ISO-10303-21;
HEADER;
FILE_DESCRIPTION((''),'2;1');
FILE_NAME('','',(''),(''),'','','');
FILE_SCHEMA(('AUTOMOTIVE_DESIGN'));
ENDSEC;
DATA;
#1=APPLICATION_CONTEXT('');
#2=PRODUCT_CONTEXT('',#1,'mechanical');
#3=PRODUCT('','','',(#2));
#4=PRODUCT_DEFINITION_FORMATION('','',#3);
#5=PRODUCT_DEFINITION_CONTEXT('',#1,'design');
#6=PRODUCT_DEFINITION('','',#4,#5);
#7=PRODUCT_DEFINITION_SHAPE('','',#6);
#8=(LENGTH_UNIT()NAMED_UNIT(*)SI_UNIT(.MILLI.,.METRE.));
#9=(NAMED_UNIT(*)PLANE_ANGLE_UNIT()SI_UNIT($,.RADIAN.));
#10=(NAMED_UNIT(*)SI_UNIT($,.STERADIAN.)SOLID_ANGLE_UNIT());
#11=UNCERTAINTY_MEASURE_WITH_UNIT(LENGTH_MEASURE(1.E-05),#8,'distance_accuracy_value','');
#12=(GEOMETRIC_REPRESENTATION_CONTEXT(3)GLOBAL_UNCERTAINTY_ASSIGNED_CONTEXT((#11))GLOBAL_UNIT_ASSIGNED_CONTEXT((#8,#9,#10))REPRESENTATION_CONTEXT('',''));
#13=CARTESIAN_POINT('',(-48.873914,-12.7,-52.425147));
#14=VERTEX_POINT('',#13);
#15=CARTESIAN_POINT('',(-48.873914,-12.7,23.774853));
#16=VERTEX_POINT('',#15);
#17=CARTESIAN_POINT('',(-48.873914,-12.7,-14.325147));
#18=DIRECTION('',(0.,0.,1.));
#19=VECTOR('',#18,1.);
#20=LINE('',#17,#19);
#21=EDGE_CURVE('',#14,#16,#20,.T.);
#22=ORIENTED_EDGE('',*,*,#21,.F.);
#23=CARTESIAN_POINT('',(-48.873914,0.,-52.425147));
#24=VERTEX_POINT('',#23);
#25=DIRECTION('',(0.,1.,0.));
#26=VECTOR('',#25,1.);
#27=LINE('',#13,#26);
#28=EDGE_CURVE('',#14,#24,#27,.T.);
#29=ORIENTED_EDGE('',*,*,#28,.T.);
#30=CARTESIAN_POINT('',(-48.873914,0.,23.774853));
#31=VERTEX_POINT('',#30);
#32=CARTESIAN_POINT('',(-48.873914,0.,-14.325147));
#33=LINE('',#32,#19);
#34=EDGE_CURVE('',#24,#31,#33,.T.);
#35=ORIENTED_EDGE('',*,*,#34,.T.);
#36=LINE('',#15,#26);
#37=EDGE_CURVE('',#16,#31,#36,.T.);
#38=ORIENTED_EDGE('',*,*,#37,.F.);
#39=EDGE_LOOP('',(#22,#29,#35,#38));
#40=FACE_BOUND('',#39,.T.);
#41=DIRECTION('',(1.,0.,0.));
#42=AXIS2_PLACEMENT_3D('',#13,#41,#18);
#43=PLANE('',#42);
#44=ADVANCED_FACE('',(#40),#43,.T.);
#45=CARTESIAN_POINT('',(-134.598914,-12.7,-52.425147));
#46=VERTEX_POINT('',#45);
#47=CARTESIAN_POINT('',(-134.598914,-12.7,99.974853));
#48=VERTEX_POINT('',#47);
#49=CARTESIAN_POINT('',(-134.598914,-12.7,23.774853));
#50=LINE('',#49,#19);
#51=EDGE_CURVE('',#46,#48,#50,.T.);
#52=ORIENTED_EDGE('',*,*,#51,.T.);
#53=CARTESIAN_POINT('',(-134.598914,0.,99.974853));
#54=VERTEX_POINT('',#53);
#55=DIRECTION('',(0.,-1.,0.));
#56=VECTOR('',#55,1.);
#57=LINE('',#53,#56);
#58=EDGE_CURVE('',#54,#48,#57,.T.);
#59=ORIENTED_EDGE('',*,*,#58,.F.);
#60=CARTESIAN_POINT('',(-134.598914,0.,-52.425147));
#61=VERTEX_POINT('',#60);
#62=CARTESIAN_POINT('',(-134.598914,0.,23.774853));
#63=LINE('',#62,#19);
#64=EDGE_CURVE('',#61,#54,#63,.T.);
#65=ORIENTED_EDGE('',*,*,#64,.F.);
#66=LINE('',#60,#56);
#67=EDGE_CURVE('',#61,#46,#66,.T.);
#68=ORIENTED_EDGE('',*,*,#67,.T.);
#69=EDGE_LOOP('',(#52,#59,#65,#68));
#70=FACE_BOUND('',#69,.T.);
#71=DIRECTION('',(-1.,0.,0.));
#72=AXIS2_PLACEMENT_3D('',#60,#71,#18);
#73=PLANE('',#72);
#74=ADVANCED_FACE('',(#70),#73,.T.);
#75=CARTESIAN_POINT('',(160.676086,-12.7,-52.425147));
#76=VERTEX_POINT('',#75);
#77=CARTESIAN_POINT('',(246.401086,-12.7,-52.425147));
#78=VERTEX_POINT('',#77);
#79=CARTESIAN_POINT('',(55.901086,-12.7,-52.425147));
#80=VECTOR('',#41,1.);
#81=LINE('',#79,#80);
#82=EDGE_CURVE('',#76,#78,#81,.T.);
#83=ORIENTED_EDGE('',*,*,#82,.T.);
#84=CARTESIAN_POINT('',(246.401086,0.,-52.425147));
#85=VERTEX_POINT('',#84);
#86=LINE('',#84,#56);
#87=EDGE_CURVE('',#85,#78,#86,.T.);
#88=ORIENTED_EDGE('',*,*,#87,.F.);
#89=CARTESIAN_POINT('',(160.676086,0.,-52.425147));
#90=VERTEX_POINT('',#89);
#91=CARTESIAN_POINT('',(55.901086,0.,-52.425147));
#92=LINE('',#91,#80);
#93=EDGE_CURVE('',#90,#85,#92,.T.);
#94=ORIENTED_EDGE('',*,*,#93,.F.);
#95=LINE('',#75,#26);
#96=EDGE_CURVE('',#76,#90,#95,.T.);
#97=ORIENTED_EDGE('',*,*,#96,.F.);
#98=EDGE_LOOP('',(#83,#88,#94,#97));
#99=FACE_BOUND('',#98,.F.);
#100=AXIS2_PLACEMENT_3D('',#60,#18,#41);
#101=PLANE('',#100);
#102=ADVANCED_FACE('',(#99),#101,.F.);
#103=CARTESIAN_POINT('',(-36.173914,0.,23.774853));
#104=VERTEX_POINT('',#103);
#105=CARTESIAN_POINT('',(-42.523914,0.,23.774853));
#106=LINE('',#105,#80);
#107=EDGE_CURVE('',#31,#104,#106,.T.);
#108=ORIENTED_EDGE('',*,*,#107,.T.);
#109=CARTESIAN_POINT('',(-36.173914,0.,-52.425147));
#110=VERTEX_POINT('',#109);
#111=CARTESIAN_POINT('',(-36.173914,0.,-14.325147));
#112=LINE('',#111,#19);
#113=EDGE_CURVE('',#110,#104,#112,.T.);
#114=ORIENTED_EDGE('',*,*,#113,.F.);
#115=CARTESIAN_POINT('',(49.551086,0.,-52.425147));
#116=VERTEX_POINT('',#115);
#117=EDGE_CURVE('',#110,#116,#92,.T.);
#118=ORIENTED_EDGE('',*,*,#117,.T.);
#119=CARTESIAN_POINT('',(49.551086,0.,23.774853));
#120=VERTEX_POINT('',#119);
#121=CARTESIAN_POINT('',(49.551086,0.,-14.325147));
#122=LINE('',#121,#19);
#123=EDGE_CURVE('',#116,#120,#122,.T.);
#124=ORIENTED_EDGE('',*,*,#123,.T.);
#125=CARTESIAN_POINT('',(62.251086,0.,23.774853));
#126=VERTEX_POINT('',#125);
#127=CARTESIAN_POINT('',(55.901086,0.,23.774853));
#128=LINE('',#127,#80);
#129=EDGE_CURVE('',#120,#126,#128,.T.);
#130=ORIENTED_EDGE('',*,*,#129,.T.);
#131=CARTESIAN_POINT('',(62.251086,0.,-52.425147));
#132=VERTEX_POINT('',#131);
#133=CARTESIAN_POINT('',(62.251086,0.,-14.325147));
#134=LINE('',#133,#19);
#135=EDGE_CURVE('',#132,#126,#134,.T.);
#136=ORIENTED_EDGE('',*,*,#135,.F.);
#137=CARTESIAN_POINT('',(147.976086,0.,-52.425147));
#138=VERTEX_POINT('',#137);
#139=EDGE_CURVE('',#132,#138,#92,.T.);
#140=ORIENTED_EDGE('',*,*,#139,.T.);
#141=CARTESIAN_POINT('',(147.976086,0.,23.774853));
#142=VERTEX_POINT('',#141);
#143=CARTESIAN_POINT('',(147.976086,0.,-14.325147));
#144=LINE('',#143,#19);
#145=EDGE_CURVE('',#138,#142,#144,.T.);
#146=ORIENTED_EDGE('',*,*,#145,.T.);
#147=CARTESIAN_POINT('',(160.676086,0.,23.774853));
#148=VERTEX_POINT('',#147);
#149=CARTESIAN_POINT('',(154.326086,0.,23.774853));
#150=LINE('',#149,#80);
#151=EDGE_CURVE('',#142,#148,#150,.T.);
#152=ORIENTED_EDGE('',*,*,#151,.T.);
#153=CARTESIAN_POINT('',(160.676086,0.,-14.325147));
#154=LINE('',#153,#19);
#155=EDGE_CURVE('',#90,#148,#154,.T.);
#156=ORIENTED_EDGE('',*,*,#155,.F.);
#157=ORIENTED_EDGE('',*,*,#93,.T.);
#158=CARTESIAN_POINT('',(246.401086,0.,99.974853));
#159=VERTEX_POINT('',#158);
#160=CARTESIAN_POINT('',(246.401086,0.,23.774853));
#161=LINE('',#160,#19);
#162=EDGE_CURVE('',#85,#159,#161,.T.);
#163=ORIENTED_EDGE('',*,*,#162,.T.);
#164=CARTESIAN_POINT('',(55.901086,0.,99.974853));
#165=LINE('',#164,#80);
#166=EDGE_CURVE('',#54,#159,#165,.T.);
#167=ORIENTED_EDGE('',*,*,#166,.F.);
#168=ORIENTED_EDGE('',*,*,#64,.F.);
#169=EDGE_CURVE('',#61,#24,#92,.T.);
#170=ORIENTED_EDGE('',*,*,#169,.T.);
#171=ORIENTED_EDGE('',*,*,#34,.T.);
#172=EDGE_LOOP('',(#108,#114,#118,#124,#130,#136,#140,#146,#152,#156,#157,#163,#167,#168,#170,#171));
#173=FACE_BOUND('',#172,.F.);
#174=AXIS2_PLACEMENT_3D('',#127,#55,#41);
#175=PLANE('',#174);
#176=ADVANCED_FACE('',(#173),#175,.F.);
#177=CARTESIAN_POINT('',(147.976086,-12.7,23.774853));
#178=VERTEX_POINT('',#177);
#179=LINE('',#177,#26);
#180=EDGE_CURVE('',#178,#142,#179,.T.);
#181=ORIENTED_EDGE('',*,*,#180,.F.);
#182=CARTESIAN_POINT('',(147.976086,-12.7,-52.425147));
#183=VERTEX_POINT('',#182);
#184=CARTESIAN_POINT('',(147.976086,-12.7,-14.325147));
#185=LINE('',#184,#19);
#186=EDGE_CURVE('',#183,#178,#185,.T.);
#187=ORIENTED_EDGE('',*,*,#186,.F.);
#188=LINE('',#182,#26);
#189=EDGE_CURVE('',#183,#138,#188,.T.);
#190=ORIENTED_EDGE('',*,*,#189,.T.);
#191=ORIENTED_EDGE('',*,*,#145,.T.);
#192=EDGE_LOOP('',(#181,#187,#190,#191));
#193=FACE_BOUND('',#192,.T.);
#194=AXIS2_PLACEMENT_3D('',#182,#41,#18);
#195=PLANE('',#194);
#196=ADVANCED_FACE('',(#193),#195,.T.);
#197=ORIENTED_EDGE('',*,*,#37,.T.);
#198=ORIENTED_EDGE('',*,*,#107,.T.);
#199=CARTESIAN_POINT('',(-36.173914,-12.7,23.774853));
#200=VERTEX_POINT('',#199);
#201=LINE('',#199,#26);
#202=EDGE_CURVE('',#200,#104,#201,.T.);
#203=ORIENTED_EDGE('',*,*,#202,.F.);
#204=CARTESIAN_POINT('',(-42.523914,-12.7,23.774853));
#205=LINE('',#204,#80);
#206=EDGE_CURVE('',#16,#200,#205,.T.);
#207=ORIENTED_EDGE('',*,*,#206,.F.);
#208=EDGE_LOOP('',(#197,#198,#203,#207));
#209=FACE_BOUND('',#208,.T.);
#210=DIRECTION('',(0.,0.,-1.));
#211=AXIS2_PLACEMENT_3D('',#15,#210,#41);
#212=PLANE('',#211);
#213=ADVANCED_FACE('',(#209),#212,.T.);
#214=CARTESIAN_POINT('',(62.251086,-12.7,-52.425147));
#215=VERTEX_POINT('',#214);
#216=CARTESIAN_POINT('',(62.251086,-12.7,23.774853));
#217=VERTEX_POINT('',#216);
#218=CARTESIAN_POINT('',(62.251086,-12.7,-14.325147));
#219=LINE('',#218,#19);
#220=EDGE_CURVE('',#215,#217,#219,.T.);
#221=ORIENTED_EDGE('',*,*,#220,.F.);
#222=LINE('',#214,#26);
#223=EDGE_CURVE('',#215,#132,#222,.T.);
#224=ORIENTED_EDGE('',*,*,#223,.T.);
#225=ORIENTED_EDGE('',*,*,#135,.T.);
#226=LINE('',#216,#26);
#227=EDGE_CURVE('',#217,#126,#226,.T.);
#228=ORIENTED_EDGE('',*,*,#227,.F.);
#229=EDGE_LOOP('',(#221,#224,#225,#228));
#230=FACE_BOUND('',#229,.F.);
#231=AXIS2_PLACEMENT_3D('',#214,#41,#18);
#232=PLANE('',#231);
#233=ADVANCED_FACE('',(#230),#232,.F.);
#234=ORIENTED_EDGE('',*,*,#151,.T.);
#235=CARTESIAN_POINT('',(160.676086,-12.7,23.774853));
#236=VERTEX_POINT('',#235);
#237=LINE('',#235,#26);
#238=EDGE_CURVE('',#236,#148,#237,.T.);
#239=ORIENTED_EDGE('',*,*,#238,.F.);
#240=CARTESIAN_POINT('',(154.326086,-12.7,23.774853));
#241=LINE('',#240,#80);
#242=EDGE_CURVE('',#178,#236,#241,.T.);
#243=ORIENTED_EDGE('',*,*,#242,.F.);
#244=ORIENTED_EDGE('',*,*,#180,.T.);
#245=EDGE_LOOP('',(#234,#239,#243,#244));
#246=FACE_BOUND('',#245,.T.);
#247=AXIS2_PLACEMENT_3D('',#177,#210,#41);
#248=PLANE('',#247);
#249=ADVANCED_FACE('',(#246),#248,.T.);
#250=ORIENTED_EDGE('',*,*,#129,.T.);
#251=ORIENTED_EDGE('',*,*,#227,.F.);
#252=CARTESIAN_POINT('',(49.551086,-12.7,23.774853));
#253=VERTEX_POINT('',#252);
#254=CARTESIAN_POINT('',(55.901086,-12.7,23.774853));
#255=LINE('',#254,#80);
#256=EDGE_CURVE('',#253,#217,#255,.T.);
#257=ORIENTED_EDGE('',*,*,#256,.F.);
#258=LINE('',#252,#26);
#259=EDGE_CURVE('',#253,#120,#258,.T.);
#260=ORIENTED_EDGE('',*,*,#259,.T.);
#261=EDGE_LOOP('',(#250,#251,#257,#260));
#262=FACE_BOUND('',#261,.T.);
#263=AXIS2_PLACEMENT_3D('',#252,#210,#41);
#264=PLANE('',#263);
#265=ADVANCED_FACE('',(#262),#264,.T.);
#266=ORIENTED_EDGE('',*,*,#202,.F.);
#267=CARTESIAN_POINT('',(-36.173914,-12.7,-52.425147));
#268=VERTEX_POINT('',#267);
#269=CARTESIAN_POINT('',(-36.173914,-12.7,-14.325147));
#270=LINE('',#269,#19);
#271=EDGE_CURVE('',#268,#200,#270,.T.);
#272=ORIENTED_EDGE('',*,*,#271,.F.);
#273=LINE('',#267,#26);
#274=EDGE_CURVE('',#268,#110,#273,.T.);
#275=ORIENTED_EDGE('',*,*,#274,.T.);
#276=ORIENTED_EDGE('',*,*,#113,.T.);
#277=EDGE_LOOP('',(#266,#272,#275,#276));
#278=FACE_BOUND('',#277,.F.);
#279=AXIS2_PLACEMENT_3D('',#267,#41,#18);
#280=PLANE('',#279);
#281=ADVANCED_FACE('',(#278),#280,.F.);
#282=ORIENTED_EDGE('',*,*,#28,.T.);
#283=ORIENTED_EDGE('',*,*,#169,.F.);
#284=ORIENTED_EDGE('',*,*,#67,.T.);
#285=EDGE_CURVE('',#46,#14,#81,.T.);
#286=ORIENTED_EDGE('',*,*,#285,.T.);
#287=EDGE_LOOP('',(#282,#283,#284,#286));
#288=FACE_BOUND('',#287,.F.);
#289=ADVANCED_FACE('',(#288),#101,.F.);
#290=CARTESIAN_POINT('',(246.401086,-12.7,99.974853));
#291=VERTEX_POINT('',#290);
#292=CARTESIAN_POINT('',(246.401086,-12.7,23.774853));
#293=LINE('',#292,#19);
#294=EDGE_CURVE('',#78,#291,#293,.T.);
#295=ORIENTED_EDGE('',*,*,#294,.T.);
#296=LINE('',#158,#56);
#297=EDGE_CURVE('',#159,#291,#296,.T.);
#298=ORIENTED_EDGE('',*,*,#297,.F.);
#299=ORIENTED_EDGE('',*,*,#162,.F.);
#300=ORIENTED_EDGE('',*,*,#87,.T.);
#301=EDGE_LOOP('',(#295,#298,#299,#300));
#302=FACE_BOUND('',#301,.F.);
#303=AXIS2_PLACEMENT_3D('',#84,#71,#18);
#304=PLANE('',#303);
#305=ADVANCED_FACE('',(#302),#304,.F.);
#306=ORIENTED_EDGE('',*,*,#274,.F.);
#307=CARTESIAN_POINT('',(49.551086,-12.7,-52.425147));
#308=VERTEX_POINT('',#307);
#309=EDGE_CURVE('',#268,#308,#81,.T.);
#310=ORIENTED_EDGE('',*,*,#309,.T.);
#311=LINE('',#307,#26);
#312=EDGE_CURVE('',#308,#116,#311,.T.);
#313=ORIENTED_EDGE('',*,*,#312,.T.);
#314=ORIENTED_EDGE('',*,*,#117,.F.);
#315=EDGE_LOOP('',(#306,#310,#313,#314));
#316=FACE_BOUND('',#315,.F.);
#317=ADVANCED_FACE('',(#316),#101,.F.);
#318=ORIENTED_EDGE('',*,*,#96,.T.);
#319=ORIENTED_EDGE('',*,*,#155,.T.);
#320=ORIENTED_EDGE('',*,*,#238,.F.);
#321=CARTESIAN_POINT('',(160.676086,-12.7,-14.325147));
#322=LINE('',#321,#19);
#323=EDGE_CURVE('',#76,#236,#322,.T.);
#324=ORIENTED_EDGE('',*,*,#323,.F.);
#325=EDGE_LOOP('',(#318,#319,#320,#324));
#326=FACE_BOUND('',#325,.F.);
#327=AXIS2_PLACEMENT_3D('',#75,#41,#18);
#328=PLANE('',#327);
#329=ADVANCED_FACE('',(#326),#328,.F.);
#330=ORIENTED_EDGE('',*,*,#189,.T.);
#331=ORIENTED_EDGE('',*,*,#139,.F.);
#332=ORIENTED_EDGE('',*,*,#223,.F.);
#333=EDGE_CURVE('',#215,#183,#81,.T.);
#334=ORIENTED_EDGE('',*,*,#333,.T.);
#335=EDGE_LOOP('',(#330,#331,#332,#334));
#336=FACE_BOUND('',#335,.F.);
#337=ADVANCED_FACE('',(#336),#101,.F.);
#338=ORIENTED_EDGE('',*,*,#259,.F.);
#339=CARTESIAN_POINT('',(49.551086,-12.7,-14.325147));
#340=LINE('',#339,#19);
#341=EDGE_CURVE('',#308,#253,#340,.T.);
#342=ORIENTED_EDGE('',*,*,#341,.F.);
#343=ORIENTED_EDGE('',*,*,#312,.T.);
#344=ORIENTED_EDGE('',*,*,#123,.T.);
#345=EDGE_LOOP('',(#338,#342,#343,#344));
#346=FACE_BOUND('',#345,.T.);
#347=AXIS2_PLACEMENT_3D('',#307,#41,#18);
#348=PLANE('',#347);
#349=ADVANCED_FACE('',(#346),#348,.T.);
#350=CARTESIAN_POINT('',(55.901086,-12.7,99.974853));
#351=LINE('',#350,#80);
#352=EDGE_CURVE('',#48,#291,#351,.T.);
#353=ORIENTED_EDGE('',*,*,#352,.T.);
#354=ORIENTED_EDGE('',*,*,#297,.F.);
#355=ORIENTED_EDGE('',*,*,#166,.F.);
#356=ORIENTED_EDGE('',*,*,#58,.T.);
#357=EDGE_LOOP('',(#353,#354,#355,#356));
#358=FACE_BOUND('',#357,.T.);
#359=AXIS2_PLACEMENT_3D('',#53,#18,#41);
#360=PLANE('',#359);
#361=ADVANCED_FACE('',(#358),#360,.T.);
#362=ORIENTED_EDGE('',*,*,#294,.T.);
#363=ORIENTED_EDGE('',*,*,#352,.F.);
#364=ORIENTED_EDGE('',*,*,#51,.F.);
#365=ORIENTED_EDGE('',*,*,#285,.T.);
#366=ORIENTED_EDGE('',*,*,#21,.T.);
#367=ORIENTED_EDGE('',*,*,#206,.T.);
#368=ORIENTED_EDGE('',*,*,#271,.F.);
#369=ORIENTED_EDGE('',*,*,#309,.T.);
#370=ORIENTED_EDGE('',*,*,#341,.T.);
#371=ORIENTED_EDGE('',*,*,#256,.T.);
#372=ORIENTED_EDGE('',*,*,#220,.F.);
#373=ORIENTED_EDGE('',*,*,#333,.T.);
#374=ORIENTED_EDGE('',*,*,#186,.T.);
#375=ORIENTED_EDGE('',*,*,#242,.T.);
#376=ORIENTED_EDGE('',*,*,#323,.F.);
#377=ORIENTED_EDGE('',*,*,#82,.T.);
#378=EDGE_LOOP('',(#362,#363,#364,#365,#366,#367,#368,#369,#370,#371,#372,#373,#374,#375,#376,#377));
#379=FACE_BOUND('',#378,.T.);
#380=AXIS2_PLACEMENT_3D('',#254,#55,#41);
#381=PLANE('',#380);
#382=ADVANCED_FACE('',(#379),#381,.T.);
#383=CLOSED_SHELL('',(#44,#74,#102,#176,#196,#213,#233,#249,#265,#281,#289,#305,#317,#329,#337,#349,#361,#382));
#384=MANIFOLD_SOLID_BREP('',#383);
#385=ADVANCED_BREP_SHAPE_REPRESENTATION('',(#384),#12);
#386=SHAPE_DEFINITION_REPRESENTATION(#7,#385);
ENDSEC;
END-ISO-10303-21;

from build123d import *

# Parameters (mm, degrees)
F0_W     = 381
F0_H     = 152.4
F1_DEPTH = 12.7
F2_W     = 12.7
F2_H     = 76.2
F3_DEPTH = 12.7


with BuildPart() as f1:
    # F0 (on Front) → F1 (new body)
    with BuildSketch(Plane.XZ):
        with Locations((55.901086, 23.774853)):
            Rectangle(F0_W, F0_H)
    extrude(amount=F1_DEPTH)

    # F2 (on face) → F3 (cut)
    with BuildSketch(Plane.XZ.offset(12.7)):
        with Locations((-42.523914, -14.325147)):
            Rectangle(F2_W, F2_H)
        with Locations((55.901086, -14.325147)):
            Rectangle(F2_W, F2_H)
        with Locations((154.326086, -14.325147)):
            Rectangle(F2_W, F2_H)
    extrude(amount=-F3_DEPTH, mode=Mode.SUBTRACT)


solid = f1.part
